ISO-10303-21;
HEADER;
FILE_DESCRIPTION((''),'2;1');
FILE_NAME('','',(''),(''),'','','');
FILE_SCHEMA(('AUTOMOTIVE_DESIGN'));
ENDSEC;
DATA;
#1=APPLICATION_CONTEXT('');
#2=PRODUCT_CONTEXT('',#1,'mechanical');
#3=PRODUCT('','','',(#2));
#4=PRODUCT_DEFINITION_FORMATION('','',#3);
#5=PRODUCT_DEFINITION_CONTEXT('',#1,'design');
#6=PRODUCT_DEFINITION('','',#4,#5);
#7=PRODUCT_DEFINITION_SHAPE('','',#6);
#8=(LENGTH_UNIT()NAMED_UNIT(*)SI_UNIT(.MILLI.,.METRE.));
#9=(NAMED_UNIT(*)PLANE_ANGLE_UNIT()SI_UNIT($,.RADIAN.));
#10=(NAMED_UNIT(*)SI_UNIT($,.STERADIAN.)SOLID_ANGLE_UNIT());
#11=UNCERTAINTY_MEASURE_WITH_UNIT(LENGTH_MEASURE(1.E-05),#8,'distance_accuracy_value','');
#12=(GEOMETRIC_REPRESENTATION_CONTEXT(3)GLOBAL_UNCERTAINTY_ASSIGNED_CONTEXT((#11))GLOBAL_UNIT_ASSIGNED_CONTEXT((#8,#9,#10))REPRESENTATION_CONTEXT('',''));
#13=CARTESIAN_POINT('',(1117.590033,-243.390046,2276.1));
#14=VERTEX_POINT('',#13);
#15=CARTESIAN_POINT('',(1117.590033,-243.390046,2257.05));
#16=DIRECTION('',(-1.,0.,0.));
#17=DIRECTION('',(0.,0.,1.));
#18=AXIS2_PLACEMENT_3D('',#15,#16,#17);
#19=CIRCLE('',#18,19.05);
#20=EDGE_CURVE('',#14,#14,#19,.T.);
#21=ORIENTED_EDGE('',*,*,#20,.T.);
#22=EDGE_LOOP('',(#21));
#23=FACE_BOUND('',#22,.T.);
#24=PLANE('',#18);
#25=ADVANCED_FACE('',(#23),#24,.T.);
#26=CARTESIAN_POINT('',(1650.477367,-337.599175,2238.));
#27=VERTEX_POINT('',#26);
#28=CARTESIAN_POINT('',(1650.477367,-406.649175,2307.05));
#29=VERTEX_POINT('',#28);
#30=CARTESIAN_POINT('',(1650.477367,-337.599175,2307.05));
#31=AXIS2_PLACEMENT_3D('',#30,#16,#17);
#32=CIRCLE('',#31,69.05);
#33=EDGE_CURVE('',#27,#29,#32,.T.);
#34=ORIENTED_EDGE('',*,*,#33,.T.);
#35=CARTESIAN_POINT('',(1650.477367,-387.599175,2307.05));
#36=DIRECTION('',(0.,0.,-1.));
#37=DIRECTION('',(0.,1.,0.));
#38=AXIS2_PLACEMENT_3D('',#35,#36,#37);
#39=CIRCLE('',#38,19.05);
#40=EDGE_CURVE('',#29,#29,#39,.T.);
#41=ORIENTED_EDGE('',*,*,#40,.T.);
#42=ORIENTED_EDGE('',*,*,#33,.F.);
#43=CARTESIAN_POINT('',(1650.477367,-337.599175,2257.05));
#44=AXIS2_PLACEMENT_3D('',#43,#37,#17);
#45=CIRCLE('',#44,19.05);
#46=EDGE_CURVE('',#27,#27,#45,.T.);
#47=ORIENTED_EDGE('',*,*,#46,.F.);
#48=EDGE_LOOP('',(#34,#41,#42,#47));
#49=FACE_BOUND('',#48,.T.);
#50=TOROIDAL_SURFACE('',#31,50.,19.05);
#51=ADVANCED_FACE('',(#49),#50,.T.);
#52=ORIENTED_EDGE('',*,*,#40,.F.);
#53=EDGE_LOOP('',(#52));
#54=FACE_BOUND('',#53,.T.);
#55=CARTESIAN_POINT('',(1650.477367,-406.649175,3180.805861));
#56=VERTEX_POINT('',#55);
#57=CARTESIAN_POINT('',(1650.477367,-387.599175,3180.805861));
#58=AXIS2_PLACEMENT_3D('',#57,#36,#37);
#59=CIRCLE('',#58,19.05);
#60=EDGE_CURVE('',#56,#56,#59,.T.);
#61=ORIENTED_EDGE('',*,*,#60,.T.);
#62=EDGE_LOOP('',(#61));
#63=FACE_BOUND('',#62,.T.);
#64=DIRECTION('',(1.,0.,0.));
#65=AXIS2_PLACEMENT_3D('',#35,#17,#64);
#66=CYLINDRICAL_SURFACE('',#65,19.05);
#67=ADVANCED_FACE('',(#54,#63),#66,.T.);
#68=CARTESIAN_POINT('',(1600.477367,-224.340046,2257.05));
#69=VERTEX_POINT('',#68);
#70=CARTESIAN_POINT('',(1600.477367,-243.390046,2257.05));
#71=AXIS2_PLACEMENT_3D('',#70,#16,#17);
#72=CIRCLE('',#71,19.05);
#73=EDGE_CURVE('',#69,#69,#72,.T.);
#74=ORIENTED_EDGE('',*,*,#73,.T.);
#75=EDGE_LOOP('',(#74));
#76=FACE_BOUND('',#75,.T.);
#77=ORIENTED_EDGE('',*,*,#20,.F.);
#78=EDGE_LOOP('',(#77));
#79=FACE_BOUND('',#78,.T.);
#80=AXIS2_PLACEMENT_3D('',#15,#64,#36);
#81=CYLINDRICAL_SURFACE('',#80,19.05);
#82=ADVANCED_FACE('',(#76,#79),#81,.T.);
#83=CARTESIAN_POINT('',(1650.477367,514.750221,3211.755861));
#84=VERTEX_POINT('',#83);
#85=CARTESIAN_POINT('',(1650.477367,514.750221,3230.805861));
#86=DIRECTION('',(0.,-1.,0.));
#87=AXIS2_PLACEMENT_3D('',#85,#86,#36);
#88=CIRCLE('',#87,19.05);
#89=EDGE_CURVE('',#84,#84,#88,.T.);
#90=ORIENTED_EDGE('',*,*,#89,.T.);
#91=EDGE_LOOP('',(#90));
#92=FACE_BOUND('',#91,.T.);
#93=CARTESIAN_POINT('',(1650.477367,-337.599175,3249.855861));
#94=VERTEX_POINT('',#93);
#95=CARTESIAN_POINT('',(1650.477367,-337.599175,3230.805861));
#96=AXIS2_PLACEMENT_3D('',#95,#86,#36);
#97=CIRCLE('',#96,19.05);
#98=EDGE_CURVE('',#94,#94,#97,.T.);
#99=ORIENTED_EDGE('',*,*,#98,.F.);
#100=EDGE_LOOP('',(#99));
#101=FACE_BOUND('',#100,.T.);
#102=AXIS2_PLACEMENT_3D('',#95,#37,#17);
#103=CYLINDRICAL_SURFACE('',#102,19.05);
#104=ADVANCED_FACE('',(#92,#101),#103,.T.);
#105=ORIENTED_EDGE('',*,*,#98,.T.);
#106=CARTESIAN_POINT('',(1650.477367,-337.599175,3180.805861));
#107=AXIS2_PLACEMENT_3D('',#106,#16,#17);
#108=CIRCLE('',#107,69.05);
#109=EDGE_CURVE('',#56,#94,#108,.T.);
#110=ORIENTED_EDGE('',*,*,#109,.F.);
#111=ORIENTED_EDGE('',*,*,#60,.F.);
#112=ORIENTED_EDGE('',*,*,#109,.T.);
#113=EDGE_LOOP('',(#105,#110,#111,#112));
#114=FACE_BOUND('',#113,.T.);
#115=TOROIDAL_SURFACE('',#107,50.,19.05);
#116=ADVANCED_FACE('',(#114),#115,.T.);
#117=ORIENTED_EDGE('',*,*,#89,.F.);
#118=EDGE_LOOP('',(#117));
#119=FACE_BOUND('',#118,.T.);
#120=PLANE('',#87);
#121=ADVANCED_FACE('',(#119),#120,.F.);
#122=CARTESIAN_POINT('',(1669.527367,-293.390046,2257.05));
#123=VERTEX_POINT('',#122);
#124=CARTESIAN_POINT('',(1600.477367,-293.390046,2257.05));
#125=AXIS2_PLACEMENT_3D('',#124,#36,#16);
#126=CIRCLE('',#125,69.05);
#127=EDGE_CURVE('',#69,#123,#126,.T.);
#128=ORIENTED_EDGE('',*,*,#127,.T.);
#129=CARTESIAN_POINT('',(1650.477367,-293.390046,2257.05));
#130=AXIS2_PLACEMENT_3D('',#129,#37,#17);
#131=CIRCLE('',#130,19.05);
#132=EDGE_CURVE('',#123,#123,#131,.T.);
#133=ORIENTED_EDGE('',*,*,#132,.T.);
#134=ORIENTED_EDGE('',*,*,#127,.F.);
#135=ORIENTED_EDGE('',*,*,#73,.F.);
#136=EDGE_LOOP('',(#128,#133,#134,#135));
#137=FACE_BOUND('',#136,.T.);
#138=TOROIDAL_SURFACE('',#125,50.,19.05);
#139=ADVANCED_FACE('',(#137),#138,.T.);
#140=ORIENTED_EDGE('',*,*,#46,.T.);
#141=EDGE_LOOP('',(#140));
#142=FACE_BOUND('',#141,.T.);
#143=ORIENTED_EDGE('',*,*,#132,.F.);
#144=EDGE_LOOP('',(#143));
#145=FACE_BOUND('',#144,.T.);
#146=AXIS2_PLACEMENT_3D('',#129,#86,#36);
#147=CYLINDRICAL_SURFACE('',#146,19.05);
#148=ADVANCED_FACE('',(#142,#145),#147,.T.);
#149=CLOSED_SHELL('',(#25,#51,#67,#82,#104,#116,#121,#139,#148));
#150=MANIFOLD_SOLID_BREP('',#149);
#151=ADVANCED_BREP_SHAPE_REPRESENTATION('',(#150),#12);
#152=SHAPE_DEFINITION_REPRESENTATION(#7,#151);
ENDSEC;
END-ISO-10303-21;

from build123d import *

# Parameters (mm, degrees)
BARRER2_PROFILE_R = 19.05


with BuildPart() as part:
    # Barrer2: sweep along a curve in space
    with BuildLine() as barrer2_path:
        Line((1117.590032513, -243.390046142, 2257.05), (1600.477366513, -243.390046142, 2257.05))
        ThreePointArc((1600.477366513, -243.390046142, 2257.05), (1635.832705573, -258.034707083, 2257.05), (1650.477366513, -293.390046142, 2257.05))
        Line((1650.477366513, -293.390046142, 2257.05), (1650.477366513, -337.599174546, 2257.05))
        ThreePointArc((1650.477366513, -337.599174546, 2257.05), (1650.477366513, -372.954513605, 2271.694660941), (1650.477366513, -387.599174546, 2307.05))
        Line((1650.477366513, -387.599174546, 2307.05), (1650.477366513, -387.599174546, 3180.805861))
        ThreePointArc((1650.477366513, -387.599174546, 3180.805861), (1650.477366513, -372.954513605, 3216.161200059), (1650.477366513, -337.599174546, 3230.805861))
        Line((1650.477366513, -337.599174546, 3230.805861), (1650.477366513, 514.750220824, 3230.805861))
    # Barrer2 profile (on start of the path) → Barrer2 (sweep)
    with BuildSketch(Plane(origin=(1117.590032513, -243.390046142, 2257.05), x_dir=(0, 0, 1), z_dir=(1, 0, 0))):
        Circle(BARRER2_PROFILE_R)
    sweep(path=barrer2_path.line)


solid = part.part
